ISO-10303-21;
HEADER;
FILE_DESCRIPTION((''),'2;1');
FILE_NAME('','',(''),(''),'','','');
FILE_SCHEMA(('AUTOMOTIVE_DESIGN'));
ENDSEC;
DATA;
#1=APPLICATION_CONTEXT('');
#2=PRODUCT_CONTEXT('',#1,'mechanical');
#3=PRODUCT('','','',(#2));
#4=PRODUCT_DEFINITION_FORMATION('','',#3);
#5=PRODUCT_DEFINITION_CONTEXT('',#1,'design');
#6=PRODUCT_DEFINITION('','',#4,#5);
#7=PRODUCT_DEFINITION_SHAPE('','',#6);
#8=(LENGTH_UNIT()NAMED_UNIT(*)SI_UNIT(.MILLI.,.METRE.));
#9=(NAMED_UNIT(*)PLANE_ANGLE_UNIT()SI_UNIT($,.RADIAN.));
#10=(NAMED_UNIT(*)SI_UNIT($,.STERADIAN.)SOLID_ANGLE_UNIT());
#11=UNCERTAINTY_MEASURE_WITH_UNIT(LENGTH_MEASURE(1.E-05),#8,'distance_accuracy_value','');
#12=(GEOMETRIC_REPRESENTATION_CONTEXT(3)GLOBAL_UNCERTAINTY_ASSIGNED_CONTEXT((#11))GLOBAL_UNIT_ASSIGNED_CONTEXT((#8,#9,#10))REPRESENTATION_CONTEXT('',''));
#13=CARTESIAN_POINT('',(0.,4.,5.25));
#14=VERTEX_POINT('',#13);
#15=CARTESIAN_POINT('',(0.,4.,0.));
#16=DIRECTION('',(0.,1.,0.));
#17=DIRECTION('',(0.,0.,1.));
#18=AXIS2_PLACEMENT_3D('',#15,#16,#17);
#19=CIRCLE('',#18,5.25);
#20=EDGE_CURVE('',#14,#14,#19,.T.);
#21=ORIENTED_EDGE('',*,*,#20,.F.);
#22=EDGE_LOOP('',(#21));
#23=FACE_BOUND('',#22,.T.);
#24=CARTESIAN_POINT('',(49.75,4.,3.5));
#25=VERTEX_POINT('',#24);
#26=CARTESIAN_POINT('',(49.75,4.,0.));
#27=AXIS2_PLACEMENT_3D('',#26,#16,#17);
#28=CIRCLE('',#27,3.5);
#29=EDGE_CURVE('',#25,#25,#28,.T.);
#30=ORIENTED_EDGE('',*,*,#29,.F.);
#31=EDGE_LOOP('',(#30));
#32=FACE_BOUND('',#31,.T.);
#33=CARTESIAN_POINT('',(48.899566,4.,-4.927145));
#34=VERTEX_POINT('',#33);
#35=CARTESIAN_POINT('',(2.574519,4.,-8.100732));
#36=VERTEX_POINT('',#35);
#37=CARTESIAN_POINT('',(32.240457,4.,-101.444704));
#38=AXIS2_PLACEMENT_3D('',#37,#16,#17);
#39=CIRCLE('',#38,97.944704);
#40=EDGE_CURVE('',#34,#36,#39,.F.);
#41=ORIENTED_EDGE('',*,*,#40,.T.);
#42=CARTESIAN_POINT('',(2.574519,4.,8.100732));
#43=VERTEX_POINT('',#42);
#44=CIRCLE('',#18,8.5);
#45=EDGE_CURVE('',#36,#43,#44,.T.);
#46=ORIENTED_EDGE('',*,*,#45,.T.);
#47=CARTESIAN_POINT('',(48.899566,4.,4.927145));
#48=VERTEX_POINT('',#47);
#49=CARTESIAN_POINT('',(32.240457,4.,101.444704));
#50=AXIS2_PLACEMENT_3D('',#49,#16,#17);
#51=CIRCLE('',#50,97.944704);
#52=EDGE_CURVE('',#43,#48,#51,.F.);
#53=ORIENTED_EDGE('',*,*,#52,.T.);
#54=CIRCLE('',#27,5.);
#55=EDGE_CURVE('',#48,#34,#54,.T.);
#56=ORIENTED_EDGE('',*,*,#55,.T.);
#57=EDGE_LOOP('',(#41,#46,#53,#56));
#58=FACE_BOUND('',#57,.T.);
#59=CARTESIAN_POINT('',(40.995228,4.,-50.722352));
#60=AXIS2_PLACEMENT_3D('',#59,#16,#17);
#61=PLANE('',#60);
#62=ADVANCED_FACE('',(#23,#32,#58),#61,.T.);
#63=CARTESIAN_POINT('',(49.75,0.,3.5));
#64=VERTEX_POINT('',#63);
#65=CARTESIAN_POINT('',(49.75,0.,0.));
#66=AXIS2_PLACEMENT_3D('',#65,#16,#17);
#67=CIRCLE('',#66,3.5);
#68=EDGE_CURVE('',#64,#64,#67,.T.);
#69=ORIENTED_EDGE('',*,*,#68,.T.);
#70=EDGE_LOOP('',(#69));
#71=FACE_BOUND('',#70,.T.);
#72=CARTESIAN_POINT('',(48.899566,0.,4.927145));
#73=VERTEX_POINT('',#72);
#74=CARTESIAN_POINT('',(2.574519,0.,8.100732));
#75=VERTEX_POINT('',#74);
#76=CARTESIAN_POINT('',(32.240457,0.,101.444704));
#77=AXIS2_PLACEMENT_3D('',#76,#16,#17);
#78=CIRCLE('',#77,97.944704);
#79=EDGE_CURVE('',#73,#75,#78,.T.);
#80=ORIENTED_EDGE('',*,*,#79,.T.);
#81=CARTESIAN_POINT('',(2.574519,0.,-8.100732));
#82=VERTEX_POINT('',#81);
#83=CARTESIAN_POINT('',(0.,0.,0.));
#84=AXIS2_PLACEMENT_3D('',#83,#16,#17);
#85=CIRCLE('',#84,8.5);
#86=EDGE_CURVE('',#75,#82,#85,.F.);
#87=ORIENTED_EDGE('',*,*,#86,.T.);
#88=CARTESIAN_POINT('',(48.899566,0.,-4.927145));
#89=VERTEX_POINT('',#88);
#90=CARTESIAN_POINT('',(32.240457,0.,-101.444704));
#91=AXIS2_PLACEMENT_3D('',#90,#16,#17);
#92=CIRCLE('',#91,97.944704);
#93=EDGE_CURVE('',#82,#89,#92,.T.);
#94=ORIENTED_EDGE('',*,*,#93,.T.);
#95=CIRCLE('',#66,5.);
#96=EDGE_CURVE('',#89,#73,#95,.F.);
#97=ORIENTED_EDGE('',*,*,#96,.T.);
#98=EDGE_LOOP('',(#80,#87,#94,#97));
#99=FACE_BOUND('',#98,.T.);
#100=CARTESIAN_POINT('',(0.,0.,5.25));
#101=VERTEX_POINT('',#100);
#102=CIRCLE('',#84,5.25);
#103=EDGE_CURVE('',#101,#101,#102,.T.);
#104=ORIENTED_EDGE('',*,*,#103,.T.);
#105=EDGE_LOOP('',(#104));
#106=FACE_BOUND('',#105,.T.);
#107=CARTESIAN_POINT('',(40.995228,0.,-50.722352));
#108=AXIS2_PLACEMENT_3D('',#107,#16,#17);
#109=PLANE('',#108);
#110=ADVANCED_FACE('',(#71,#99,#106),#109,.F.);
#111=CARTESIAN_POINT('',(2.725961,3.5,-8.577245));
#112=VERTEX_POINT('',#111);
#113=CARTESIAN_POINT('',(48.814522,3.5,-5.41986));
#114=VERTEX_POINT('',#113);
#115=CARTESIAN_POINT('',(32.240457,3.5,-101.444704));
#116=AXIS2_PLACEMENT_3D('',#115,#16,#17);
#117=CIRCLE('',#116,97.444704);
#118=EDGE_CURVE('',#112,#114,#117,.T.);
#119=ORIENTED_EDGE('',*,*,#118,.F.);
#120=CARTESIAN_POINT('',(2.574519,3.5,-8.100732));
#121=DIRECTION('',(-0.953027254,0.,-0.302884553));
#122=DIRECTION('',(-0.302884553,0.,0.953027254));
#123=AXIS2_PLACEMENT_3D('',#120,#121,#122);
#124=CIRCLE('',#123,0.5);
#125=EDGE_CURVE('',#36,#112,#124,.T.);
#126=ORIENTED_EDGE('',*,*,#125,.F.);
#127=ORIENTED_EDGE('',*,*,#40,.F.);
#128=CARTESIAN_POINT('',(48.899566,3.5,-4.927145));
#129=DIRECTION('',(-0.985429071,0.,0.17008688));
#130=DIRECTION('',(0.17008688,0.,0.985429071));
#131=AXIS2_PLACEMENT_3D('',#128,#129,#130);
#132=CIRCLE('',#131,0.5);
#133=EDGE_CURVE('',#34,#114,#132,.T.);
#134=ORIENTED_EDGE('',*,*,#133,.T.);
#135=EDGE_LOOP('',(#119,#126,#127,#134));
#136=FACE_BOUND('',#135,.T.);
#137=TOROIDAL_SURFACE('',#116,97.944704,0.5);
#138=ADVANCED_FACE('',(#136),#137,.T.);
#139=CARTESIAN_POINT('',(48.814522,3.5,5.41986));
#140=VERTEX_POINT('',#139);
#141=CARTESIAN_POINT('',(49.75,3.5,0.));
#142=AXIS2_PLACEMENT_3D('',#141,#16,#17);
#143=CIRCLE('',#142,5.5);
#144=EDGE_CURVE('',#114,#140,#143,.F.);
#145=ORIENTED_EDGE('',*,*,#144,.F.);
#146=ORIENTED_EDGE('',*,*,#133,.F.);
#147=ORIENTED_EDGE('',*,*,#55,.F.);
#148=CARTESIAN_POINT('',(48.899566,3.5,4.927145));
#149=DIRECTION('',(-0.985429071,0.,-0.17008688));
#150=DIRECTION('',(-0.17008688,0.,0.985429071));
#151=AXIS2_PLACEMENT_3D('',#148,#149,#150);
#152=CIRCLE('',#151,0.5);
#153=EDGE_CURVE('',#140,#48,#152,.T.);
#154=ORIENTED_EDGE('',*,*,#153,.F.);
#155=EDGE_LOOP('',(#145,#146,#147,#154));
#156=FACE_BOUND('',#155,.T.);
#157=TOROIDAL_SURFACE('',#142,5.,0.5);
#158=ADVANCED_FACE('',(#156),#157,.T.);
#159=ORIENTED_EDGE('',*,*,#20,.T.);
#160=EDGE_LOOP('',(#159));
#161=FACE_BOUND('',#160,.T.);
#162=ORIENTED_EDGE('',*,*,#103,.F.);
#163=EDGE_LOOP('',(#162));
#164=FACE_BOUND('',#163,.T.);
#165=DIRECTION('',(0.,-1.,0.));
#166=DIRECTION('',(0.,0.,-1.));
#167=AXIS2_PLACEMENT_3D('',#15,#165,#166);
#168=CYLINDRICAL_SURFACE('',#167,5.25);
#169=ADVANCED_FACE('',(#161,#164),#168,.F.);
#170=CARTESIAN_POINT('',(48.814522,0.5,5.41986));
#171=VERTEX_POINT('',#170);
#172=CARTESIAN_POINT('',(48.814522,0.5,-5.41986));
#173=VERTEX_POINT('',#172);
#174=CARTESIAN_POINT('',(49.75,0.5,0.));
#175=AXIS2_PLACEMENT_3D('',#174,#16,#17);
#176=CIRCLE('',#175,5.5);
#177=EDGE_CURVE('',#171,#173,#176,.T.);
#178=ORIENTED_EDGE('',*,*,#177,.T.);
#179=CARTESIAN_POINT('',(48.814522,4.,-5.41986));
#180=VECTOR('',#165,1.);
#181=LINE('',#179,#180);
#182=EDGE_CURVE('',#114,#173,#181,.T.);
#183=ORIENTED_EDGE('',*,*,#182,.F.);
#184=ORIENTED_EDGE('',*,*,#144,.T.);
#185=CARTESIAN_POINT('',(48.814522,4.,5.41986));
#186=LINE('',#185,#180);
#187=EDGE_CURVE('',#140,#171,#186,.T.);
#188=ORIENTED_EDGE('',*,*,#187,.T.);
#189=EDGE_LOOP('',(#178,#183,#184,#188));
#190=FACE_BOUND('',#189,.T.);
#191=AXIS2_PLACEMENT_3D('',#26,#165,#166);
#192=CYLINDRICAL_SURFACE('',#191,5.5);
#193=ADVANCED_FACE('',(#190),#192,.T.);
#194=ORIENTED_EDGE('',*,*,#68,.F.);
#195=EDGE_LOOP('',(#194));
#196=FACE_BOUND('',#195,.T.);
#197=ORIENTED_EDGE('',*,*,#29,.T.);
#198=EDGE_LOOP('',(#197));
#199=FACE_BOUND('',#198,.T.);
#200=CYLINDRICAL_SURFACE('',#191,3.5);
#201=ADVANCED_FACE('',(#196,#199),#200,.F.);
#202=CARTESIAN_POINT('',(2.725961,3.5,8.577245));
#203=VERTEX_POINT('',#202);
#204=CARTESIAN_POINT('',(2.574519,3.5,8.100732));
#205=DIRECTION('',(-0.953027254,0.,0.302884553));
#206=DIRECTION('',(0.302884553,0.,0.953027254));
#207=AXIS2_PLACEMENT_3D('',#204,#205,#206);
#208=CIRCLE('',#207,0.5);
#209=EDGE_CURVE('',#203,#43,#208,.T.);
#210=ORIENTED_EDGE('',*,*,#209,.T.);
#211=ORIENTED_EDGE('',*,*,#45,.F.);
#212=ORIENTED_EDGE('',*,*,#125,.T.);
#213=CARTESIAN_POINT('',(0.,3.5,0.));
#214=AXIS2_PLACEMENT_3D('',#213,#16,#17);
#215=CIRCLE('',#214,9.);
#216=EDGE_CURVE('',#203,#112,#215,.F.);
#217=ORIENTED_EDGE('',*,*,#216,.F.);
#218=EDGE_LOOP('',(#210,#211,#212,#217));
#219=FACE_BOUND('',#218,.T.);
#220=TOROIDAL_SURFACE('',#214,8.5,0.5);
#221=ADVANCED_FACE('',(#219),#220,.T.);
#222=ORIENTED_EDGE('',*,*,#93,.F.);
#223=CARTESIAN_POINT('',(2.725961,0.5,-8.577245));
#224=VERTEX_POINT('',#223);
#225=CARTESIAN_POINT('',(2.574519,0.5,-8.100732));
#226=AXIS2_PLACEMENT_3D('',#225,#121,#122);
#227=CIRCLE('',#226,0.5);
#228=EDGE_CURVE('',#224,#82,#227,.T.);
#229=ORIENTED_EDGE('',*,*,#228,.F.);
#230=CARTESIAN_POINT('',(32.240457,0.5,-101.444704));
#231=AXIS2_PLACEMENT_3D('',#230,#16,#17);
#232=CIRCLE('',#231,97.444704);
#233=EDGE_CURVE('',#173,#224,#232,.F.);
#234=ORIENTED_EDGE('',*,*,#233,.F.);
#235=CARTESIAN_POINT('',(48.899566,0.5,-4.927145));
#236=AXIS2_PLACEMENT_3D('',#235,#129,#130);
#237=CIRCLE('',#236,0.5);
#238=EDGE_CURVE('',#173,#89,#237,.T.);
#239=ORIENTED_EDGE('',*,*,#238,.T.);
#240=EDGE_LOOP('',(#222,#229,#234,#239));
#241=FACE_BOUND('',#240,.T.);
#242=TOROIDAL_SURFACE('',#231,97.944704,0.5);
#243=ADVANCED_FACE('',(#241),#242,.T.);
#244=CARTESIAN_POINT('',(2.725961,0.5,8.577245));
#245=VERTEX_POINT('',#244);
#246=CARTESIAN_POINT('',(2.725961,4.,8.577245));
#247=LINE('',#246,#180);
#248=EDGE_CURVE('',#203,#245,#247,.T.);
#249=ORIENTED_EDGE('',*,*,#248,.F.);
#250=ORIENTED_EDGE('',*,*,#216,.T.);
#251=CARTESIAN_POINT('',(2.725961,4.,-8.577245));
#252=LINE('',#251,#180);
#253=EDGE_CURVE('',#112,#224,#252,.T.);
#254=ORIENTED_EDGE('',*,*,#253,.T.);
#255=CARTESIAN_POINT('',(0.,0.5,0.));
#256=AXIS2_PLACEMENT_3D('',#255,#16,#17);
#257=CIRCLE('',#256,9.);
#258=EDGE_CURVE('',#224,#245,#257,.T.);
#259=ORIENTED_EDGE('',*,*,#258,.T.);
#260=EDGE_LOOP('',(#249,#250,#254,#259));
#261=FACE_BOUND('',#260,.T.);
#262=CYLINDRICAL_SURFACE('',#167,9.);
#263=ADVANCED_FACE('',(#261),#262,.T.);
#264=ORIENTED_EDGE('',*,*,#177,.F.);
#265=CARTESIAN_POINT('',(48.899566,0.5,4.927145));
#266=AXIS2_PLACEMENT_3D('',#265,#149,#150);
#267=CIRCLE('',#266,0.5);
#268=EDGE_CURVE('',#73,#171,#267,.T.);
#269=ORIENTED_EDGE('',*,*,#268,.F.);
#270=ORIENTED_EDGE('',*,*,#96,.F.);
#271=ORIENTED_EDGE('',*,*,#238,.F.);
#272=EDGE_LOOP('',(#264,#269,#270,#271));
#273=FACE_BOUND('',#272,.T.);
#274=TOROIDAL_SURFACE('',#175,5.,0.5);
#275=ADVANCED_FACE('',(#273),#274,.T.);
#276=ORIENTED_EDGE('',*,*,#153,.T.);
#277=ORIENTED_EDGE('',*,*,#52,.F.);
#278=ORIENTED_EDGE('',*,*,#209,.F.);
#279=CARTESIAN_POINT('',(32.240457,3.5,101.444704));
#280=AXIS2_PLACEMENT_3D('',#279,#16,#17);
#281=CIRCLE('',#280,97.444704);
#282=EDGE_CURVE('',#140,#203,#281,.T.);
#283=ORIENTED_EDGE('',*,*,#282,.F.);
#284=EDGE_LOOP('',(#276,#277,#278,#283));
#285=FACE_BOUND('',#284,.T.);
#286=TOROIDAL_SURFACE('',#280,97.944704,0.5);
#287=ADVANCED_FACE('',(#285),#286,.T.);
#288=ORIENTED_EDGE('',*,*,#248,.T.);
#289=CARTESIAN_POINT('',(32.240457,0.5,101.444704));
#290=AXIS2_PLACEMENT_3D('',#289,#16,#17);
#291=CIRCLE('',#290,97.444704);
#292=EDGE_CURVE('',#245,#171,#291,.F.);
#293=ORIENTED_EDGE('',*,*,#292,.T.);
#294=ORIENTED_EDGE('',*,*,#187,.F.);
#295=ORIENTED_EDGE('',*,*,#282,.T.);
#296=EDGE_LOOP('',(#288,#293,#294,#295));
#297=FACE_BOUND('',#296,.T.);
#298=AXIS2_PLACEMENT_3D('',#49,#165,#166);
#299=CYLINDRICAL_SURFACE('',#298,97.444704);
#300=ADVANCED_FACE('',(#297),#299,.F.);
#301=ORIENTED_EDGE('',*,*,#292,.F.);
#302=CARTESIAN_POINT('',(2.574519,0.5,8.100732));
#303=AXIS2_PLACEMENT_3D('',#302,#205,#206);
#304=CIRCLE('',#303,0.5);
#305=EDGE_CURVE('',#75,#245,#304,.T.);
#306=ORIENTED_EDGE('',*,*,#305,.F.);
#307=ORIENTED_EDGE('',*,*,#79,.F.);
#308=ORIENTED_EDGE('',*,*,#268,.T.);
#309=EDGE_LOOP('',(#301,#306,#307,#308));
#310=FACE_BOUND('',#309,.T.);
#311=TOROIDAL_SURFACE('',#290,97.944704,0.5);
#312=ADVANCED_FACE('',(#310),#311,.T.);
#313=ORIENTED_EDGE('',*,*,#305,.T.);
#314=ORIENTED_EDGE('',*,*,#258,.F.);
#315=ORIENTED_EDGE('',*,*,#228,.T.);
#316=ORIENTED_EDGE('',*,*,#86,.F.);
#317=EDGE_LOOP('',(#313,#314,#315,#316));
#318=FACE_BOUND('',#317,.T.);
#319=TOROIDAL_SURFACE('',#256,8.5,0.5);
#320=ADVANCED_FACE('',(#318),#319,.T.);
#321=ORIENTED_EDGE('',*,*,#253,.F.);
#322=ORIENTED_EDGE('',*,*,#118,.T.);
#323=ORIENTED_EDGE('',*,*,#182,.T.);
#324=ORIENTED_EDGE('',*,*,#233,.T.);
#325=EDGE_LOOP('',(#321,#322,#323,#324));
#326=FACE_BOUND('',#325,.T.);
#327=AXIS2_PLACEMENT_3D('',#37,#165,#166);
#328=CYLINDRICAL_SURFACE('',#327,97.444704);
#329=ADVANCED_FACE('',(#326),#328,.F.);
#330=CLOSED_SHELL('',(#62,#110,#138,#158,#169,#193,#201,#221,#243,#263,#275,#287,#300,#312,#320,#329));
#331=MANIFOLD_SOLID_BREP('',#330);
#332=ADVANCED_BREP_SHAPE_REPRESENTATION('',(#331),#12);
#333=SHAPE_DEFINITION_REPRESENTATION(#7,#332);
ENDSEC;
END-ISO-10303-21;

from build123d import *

# Parameters (mm, degrees)
SKETCH_1_R      = 5.25
SKETCH_1_R_2    = 3.5
EXTRUDE_1_DEPTH = 4
FILLET_1_R      = 0.5


with BuildPart() as part:
    # 草图1 → 凸台-拉伸1 (new body)
    with BuildSketch(Plane(origin=(0, 0, 0), x_dir=(1, 0, 0), z_dir=(0, 1, 0))):
        with BuildLine():
            ThreePointArc((2.725960977, 8.577245289), (-9, 0), (2.725960977, -8.577245289))
            ThreePointArc((2.725960977, -8.577245289), (25.580430084, -4.227861915), (48.814522163, -5.419859889))
            ThreePointArc((48.814522163, -5.419859889), (55.25, 0), (48.814522163, 5.419859889))
            ThreePointArc((48.814522163, 5.419859889), (25.580430084, 4.227861915), (2.725960977, 8.577245289))
        make_face()
        with Locations(Location((0, 0, 0), (0, 0, 270))):
            Circle(SKETCH_1_R, mode=Mode.SUBTRACT)
        with Locations(Location((49.75, 0, 0), (0, 0, 270))):
            Circle(SKETCH_1_R_2, mode=Mode.SUBTRACT)
    extrude(amount=EXTRUDE_1_DEPTH)

    # 圆角1
    fillet_1_edges = [part.edges().sort_by_distance(p)[0] for p in [
        (25.580430084, 4, 4.227861915),
        (55.25, 4, 0),
        (25.580430084, 4, -4.227861915),
        (55.25, 0, 0),
        (25.580430084, 0, 4.227861915),
        (-9, 0, 0),
        (25.580430084, 0, -4.227861915),
        (-9, 4, 0),
    ]]
    fillet(fillet_1_edges, radius=FILLET_1_R)


solid = part.part
